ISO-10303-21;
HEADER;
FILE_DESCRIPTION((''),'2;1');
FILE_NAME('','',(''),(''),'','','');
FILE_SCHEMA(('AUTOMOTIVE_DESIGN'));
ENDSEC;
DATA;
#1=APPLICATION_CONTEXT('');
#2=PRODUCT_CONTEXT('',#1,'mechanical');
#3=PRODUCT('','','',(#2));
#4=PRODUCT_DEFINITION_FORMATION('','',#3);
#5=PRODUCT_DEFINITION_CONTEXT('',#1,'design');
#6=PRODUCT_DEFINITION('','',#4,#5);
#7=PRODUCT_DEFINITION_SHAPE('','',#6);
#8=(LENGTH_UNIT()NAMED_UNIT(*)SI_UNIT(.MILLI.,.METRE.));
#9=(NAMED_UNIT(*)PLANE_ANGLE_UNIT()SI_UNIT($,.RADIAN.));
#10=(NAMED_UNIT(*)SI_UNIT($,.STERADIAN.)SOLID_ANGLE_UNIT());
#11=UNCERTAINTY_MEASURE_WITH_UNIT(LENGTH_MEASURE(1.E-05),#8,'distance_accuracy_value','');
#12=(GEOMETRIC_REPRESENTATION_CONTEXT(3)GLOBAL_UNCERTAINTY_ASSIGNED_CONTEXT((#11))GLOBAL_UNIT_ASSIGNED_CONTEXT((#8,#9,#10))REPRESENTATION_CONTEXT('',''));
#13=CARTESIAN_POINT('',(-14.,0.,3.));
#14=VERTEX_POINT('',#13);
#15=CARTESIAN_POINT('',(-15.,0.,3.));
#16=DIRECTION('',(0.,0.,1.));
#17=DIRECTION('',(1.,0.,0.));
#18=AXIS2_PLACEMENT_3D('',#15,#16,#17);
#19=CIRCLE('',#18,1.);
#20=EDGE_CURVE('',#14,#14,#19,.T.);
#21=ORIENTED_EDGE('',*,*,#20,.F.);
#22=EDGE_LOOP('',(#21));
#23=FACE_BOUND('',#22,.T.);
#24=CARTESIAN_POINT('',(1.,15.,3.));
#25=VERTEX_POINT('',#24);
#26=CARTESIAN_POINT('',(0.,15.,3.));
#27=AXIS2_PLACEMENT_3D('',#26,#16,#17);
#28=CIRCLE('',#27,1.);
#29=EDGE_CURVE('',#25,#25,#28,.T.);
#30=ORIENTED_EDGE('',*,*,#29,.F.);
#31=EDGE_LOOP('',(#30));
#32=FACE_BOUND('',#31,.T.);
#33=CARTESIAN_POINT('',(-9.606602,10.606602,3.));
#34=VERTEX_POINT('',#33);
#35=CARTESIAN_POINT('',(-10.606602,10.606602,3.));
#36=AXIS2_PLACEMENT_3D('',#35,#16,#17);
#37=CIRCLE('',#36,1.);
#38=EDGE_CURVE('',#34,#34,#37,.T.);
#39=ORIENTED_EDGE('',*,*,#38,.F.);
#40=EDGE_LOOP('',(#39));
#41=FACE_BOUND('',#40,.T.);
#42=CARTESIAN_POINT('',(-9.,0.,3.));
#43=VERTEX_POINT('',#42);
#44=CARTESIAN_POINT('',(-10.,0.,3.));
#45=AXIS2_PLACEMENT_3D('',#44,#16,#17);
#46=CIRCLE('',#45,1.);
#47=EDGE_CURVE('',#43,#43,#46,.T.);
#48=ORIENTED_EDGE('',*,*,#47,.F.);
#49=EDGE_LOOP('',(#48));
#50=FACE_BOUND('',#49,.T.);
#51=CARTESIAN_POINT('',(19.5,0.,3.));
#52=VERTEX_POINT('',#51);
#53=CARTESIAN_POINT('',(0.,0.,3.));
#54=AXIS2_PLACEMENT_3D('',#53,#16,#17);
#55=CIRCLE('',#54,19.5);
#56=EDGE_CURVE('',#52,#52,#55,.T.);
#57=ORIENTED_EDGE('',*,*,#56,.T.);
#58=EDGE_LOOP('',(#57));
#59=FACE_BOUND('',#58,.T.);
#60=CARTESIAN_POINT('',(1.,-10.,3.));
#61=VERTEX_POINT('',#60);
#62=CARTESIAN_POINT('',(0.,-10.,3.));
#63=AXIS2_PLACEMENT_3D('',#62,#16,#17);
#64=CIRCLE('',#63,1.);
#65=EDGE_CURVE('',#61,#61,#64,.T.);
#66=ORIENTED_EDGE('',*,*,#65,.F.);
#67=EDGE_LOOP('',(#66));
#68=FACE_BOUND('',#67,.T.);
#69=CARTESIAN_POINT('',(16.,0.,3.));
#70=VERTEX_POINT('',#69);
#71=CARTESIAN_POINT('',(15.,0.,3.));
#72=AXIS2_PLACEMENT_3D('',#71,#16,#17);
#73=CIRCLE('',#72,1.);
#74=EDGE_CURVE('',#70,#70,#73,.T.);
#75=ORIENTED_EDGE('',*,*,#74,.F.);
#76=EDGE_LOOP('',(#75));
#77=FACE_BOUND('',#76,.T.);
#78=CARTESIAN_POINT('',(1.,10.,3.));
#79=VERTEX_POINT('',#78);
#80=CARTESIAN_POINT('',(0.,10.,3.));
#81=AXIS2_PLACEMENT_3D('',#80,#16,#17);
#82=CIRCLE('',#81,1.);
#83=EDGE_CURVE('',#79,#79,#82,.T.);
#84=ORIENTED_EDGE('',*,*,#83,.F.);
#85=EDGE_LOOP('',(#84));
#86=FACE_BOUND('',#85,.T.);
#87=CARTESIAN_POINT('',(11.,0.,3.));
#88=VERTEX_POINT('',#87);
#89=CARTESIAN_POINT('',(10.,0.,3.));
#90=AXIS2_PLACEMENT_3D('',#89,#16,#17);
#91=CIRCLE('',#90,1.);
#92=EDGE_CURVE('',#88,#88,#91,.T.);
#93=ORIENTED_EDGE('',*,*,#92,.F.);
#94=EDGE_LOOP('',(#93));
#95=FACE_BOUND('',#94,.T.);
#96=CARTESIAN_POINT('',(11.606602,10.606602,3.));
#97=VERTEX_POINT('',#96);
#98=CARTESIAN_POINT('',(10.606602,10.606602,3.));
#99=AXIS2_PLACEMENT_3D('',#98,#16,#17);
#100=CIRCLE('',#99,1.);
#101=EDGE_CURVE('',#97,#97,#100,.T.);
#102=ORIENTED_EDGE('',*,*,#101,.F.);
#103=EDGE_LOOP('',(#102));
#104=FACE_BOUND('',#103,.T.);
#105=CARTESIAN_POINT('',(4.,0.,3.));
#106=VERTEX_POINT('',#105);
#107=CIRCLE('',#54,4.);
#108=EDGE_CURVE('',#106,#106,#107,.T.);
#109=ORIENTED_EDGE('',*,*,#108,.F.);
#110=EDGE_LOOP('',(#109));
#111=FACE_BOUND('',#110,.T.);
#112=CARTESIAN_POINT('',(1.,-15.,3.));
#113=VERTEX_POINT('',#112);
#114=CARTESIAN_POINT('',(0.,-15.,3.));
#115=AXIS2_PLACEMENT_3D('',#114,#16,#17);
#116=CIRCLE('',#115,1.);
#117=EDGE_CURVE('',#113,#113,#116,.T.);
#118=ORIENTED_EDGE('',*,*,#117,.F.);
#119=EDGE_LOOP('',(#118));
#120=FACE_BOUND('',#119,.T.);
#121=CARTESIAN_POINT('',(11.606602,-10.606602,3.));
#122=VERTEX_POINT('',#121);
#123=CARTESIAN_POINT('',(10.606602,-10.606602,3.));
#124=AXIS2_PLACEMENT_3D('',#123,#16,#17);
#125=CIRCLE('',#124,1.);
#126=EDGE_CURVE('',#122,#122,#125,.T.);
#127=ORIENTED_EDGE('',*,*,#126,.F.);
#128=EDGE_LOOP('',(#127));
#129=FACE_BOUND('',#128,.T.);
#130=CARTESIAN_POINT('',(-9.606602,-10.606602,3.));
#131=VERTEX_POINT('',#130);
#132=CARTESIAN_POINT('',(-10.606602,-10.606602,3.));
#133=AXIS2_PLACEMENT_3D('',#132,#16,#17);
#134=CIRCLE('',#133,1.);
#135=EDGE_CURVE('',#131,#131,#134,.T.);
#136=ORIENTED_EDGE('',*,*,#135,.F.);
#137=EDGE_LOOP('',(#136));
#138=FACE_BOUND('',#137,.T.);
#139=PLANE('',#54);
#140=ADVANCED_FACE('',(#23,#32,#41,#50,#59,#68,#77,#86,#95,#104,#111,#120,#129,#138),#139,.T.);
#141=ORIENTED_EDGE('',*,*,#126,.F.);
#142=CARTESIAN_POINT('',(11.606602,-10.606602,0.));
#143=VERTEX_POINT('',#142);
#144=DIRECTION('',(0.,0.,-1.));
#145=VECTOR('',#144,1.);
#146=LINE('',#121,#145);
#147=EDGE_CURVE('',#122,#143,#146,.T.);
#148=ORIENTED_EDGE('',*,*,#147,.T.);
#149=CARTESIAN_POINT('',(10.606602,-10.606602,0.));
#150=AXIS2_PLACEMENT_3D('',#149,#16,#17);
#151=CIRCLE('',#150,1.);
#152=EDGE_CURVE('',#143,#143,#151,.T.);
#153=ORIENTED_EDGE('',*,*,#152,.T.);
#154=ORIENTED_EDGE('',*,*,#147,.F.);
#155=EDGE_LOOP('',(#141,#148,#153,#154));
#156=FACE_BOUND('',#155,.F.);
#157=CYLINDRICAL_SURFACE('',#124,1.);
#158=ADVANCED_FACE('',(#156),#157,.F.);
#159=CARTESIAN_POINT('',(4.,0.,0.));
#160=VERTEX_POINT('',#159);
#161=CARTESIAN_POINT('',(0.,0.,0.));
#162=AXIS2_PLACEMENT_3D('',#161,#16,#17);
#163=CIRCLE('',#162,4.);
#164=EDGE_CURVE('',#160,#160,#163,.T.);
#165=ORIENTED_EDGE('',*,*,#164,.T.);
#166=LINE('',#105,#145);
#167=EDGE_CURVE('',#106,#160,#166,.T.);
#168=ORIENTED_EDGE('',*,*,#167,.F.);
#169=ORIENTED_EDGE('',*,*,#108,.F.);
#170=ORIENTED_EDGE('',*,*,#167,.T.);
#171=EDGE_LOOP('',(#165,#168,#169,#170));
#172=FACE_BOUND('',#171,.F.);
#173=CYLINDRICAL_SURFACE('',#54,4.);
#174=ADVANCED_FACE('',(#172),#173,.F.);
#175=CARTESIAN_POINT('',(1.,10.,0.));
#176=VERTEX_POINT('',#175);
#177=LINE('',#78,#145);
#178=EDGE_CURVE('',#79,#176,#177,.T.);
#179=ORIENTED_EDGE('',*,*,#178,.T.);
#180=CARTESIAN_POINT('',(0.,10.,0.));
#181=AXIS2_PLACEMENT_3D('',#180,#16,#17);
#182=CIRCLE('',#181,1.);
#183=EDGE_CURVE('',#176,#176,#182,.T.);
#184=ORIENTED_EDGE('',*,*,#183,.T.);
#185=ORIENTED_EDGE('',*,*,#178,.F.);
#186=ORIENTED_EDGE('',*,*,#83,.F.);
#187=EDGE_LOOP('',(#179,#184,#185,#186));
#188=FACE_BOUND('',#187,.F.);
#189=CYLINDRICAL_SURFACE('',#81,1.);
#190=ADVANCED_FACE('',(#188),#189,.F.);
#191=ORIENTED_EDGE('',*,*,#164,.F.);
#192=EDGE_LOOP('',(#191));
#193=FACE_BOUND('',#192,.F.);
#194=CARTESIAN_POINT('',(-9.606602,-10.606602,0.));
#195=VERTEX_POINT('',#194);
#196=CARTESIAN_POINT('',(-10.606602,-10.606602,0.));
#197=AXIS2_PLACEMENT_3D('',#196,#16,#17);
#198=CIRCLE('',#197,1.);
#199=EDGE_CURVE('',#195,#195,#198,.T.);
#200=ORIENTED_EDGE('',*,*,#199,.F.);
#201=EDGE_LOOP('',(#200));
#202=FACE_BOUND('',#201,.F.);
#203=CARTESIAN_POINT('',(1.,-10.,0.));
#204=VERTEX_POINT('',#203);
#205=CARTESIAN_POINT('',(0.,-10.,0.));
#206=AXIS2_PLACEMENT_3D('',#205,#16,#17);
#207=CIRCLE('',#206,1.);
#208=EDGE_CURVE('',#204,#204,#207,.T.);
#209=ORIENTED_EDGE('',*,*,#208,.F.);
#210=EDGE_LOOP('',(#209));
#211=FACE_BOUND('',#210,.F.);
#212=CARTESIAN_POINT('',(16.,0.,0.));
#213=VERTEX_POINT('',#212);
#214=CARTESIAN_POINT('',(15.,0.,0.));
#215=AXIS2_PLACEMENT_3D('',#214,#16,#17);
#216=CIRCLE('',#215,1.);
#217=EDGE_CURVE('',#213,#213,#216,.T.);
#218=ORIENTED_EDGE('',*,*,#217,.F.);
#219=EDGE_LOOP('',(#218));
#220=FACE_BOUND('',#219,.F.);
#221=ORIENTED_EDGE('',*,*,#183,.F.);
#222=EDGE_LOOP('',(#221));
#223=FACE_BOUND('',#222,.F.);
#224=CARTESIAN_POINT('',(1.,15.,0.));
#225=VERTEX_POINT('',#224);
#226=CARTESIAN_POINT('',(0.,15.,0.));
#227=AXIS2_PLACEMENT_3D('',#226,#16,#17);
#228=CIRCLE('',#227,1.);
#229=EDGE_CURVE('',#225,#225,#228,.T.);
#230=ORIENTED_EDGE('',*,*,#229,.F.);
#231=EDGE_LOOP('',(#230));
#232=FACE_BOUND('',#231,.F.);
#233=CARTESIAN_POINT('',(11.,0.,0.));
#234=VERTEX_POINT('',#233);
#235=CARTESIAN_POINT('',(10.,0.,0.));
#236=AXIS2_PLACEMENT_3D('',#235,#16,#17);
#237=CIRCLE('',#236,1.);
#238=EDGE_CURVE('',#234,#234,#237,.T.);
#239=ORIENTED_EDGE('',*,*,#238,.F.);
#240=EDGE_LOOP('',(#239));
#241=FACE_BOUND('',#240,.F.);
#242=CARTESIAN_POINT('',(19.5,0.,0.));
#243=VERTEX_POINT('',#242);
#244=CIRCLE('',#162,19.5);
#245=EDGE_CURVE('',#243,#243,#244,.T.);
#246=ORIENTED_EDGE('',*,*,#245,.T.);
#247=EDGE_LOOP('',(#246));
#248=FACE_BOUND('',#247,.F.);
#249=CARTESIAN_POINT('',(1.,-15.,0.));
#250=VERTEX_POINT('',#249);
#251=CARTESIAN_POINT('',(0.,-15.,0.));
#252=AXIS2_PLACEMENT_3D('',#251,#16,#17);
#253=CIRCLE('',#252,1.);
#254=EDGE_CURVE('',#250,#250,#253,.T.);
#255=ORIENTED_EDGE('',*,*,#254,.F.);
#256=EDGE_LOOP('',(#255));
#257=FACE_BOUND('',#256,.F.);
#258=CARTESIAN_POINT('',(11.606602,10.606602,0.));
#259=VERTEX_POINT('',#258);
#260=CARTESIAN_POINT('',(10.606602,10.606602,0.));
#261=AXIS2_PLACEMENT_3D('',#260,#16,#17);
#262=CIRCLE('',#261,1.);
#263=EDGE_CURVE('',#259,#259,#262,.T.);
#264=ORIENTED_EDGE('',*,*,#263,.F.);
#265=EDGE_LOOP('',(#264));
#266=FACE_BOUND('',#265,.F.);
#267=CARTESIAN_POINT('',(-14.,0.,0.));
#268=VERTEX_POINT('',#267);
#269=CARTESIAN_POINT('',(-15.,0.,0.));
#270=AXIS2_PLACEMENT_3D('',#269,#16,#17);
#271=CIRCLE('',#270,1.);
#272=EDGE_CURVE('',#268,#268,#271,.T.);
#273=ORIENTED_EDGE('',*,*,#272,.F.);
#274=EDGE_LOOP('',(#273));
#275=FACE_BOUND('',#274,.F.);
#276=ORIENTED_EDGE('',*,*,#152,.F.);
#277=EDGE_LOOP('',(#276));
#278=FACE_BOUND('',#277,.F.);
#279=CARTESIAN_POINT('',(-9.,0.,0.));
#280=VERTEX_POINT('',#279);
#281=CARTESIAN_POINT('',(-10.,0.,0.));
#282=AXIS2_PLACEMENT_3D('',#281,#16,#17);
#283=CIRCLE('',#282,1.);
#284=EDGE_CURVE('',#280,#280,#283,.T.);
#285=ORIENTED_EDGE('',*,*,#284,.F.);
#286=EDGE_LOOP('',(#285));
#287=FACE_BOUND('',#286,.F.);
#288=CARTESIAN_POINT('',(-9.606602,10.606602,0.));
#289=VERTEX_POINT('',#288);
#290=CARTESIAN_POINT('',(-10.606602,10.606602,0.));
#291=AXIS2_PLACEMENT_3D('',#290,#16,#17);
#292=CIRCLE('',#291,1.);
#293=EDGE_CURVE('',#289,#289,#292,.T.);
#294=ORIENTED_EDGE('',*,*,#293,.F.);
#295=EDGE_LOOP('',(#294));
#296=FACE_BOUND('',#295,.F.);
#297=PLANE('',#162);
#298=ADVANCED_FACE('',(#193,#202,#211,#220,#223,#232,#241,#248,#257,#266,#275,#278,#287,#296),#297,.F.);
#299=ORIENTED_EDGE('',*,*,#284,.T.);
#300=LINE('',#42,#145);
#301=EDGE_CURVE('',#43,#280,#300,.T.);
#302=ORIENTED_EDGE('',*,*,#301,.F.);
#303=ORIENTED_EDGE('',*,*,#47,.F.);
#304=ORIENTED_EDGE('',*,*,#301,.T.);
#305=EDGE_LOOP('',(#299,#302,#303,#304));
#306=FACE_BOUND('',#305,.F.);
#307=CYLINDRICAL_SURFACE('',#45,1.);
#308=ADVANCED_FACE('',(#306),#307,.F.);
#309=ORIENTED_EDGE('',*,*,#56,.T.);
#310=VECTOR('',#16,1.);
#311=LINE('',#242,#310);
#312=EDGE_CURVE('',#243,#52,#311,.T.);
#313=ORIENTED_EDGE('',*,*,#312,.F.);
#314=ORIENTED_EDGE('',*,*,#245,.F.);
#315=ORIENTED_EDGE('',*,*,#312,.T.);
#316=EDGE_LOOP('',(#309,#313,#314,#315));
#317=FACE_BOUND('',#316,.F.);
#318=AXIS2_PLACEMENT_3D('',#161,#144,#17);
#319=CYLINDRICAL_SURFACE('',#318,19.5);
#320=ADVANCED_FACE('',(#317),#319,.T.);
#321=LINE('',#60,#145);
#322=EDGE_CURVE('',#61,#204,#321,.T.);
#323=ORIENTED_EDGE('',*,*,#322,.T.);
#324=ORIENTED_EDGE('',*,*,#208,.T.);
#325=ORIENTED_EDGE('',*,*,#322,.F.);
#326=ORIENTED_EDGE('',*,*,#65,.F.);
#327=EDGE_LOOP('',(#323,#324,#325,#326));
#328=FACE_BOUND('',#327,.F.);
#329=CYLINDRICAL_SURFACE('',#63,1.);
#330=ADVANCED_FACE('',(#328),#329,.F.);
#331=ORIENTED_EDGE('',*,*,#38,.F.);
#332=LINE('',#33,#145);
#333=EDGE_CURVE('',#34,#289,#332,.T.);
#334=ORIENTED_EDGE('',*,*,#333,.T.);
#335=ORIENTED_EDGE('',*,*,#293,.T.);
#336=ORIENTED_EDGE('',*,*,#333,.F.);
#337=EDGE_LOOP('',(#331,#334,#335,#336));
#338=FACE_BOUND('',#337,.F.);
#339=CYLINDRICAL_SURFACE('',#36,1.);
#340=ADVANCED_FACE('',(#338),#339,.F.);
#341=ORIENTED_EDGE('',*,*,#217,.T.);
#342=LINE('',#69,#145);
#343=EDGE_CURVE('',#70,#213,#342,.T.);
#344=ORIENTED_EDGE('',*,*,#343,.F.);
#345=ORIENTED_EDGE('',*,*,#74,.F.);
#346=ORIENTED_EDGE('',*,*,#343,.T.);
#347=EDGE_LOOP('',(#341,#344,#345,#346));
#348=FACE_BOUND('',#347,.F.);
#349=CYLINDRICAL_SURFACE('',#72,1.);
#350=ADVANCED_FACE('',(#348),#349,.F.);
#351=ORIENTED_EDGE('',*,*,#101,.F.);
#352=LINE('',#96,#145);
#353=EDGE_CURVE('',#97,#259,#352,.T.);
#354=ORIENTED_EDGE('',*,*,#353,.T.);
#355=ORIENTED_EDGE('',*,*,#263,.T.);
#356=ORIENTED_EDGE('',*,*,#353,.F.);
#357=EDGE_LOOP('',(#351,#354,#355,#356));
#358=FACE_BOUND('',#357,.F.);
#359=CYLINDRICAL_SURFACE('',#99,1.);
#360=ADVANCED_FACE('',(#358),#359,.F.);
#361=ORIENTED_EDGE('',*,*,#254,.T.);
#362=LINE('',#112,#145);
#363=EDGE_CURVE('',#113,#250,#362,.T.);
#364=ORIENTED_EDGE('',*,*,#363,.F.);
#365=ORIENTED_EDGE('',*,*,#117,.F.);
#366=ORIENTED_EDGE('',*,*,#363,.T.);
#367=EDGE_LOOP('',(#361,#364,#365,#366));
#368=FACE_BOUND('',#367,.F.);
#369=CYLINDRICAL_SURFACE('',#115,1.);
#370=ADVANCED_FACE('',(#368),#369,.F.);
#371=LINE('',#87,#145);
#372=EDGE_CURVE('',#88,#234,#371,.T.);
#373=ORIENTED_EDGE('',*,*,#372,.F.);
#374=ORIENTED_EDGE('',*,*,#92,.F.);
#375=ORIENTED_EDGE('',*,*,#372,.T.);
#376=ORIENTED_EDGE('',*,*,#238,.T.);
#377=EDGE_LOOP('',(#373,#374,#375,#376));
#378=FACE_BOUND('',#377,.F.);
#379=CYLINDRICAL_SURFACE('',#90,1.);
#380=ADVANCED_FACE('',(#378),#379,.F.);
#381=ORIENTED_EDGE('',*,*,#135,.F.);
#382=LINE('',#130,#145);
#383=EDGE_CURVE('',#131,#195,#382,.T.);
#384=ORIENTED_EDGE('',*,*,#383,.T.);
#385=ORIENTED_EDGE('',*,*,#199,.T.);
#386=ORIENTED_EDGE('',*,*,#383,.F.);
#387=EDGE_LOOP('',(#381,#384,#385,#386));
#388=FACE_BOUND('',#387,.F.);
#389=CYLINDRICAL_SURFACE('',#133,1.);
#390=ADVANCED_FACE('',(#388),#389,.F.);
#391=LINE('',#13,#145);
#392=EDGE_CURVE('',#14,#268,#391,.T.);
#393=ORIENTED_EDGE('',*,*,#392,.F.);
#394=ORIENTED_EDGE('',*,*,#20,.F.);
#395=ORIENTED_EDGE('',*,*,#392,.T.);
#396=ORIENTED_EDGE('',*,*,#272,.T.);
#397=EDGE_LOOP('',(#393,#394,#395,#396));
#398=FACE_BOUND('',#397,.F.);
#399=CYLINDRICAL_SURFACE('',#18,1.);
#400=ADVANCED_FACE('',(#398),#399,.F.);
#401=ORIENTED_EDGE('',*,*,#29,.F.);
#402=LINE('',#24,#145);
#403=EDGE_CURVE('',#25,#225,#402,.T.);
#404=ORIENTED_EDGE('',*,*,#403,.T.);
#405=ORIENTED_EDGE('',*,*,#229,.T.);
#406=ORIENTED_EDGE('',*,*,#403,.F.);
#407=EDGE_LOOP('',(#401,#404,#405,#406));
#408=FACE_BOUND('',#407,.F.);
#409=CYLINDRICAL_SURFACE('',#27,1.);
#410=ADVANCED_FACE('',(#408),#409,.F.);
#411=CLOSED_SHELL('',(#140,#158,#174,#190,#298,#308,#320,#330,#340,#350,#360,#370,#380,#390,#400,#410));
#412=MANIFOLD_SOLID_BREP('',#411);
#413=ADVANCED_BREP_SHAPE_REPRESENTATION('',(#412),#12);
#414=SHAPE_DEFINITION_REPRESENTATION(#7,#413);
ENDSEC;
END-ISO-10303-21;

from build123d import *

# Parameters (mm, degrees)
CROQUIS1_R              = 19.5
SALIENTE_EXTRUIR1_DEPTH = 3
CROQUIS2_R              = 1
CORTAR_EXTRUIR1_DEPTH   = 3
CROQUIS3_R              = 4
CORTAR_EXTRUIR2_DEPTH   = 3


with BuildPart() as part:
    # Croquis1 → Saliente-Extruir1 (new body)
    with BuildSketch(Plane.XY):
        Circle(CROQUIS1_R)
    extrude(amount=SALIENTE_EXTRUIR1_DEPTH)

    # Croquis2 → Cortar-Extruir1 (cut)
    with BuildSketch(Plane.XY.offset(3)):
        with Locations((0, 10)):
            Circle(CROQUIS2_R)
        with Locations((10, 0)):
            Circle(CROQUIS2_R)
        with Locations((0, -10)):
            Circle(CROQUIS2_R)
        with Locations((-10, 0)):
            Circle(CROQUIS2_R)
        with Locations((0, 15)):
            Circle(CROQUIS2_R)
        with Locations((10.606601718, 10.606601718)):
            Circle(CROQUIS2_R)
        with Locations((15, 0)):
            Circle(CROQUIS2_R)
        with Locations((10.606601718, -10.606601718)):
            Circle(CROQUIS2_R)
        with Locations((0, -15)):
            Circle(CROQUIS2_R)
        with Locations((-10.606601718, -10.606601718)):
            Circle(CROQUIS2_R)
        with Locations((-15, 0)):
            Circle(CROQUIS2_R)
        with Locations((-10.606601718, 10.606601718)):
            Circle(CROQUIS2_R)
    extrude(amount=-CORTAR_EXTRUIR1_DEPTH, mode=Mode.SUBTRACT)

    # Croquis3 → Cortar-Extruir2 (cut)
    with BuildSketch(Plane.XY.offset(3)):
        Circle(CROQUIS3_R)
    extrude(amount=-CORTAR_EXTRUIR2_DEPTH, mode=Mode.SUBTRACT)


solid = part.part
